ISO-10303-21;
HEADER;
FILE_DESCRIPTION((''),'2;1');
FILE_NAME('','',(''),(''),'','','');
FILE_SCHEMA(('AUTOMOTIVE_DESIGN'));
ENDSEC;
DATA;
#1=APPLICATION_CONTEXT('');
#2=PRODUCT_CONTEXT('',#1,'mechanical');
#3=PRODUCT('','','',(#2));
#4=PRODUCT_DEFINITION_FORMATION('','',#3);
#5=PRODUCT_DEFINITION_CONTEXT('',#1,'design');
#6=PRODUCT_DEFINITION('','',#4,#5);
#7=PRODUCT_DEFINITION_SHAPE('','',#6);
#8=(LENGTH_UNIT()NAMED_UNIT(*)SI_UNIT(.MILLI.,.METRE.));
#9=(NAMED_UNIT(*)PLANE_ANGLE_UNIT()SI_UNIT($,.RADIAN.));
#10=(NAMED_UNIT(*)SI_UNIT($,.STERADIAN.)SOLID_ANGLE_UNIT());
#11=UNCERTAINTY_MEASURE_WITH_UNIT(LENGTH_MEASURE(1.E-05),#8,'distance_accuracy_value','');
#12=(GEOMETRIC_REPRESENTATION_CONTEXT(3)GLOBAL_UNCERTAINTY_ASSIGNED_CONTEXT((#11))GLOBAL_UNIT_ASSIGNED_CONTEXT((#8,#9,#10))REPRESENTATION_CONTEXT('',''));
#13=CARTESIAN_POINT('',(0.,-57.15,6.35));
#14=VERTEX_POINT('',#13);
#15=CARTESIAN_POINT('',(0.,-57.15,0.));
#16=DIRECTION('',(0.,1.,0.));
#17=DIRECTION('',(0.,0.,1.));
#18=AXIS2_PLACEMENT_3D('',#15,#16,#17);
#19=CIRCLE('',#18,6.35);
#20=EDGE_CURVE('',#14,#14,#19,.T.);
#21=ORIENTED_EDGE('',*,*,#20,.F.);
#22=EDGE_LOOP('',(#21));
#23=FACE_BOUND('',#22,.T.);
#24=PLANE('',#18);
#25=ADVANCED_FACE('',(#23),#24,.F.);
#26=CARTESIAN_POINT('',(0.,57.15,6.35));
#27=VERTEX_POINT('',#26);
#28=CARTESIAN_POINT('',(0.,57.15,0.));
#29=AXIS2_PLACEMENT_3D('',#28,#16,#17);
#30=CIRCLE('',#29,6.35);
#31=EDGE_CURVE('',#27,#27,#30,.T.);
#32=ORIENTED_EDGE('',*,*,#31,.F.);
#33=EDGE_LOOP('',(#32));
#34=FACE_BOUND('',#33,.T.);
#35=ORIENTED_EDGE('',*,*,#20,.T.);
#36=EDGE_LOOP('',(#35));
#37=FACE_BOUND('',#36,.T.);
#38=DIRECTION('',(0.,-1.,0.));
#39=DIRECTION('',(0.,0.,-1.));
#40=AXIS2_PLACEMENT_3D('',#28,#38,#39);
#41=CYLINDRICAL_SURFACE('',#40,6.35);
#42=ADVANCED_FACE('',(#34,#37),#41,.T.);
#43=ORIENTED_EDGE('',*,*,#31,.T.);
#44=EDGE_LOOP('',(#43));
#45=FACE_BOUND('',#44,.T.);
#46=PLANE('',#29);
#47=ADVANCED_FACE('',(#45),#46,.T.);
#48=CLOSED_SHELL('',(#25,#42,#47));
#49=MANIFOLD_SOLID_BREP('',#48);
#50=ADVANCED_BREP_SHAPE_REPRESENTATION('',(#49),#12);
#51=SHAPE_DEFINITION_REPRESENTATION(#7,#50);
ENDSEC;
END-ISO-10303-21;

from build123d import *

# Parameters (mm, degrees)
SKETCH1_R           = 6.35
BOSS_EXTRUDE1_DEPTH = 57.15


with BuildPart() as part:
    # Sketch1 → Boss-Extrude1 (new body, symmetric)
    with BuildSketch(Plane(origin=(0, 0, 0), x_dir=(1, 0, 0), z_dir=(0, 1, 0))):
        Circle(SKETCH1_R)
    extrude(amount=BOSS_EXTRUDE1_DEPTH, both=True)


solid = part.part
